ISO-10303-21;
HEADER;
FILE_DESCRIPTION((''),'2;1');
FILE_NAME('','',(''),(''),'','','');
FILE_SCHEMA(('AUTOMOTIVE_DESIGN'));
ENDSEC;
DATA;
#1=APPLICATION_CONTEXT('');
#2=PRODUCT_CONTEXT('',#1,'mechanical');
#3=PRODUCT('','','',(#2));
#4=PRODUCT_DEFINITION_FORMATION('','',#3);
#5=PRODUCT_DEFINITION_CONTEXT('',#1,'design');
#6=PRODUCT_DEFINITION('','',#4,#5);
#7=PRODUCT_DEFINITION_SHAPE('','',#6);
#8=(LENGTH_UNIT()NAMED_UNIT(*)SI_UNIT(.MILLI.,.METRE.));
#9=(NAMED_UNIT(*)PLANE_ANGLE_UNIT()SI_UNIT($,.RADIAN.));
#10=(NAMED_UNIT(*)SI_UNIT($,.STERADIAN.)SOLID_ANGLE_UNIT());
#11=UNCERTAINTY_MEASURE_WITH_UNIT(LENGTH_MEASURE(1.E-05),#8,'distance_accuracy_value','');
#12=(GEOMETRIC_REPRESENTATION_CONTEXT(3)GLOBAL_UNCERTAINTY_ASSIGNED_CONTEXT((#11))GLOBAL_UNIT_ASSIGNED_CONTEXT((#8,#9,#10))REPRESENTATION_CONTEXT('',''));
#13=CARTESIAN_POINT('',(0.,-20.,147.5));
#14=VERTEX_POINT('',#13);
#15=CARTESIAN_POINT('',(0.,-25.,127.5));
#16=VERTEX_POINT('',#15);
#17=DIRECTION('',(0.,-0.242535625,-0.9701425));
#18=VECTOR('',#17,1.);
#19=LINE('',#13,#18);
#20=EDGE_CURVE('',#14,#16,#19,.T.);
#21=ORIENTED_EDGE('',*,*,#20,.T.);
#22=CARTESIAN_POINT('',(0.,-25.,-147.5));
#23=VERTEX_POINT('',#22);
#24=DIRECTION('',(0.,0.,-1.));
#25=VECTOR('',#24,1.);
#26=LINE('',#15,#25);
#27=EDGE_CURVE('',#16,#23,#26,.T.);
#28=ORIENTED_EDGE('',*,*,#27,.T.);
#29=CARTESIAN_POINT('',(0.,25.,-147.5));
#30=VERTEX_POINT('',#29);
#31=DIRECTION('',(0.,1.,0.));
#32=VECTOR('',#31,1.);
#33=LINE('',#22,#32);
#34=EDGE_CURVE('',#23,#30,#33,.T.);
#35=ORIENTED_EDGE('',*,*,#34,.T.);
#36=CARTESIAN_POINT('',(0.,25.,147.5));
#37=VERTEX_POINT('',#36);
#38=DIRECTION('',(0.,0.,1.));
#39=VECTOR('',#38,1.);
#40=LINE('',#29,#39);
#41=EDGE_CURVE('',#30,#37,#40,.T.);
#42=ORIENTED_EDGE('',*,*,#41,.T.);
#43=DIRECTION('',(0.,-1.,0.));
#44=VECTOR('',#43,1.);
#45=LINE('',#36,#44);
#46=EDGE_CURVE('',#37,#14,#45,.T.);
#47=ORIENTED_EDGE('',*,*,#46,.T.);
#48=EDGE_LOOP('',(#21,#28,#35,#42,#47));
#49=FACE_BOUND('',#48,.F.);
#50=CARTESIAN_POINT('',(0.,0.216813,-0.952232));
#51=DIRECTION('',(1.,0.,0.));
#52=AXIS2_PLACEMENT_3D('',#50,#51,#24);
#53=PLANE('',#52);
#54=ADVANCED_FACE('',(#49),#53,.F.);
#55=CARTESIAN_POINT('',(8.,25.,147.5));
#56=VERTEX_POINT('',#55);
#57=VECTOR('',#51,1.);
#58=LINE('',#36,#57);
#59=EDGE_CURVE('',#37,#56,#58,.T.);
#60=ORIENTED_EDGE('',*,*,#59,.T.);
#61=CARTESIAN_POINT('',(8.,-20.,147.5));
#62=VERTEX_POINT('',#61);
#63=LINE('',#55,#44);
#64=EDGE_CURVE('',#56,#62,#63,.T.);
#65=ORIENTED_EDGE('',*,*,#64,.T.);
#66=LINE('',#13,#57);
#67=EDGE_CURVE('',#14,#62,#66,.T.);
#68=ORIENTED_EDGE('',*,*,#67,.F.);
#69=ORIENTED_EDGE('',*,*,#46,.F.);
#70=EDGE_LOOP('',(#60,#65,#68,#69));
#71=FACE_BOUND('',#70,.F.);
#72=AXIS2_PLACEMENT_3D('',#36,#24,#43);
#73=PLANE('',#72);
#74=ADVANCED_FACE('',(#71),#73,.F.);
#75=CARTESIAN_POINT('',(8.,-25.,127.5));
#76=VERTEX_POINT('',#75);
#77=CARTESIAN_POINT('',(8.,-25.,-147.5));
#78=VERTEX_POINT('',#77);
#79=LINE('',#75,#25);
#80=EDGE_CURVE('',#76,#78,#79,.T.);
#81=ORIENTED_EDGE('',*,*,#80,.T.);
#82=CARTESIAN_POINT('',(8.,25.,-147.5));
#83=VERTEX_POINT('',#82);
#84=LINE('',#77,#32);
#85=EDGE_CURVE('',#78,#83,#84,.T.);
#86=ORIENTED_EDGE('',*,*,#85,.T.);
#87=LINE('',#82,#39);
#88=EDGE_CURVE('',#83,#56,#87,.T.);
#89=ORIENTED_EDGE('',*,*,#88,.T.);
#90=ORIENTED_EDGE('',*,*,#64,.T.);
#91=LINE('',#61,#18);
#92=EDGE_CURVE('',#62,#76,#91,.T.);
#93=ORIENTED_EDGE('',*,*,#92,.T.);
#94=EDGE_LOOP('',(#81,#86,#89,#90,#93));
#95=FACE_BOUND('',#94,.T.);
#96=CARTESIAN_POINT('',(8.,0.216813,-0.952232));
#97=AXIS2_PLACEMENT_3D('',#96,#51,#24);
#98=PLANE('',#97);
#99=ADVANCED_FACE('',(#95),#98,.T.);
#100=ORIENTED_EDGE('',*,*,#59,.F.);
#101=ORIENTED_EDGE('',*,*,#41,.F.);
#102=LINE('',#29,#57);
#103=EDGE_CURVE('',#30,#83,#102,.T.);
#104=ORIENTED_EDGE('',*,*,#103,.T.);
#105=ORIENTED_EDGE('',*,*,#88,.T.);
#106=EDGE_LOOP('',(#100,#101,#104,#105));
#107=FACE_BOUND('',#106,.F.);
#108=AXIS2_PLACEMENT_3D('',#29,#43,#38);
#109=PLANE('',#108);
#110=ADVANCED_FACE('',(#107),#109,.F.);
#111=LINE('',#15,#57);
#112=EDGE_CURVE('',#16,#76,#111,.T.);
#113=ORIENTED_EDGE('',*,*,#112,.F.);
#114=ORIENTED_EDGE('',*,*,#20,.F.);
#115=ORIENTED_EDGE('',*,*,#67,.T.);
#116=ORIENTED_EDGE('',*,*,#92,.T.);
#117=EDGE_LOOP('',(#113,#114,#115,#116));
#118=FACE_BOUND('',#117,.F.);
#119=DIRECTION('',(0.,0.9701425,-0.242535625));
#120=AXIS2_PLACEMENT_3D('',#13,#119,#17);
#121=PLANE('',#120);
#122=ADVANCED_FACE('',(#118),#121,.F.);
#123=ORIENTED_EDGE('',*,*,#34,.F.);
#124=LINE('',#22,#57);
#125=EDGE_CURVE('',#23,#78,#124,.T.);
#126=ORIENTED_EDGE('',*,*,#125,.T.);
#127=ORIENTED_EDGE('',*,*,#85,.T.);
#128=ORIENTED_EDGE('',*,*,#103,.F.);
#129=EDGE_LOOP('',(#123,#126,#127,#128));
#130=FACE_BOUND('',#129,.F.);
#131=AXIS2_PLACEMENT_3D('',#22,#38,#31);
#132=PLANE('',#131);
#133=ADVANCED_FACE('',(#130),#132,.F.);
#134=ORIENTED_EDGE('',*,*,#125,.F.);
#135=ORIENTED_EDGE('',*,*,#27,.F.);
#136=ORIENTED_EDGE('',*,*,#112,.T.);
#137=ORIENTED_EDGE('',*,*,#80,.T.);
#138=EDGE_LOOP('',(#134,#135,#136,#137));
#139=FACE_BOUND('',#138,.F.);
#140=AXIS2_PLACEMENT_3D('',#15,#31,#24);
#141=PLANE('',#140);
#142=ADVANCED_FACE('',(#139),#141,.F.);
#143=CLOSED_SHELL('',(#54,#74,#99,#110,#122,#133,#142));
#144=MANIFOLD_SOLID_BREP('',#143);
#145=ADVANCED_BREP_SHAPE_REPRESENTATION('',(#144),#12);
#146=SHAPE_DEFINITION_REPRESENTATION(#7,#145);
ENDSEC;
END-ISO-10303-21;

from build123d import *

# Parameters (mm, degrees)
BOSS_EXTRUDE1_DEPTH = 8


with BuildPart() as part:
    # Sketch1 → Boss-Extrude1 (new body)
    with BuildSketch(Plane(origin=(0, 0, 0), x_dir=(0, 0, -1), z_dir=(1, 0, 0))):
        Polygon((-147.5, -20), (-127.5, -25), (147.5, -25), (147.5, 25), (-147.5, 25), align=None)
    extrude(amount=BOSS_EXTRUDE1_DEPTH)


solid = part.part
